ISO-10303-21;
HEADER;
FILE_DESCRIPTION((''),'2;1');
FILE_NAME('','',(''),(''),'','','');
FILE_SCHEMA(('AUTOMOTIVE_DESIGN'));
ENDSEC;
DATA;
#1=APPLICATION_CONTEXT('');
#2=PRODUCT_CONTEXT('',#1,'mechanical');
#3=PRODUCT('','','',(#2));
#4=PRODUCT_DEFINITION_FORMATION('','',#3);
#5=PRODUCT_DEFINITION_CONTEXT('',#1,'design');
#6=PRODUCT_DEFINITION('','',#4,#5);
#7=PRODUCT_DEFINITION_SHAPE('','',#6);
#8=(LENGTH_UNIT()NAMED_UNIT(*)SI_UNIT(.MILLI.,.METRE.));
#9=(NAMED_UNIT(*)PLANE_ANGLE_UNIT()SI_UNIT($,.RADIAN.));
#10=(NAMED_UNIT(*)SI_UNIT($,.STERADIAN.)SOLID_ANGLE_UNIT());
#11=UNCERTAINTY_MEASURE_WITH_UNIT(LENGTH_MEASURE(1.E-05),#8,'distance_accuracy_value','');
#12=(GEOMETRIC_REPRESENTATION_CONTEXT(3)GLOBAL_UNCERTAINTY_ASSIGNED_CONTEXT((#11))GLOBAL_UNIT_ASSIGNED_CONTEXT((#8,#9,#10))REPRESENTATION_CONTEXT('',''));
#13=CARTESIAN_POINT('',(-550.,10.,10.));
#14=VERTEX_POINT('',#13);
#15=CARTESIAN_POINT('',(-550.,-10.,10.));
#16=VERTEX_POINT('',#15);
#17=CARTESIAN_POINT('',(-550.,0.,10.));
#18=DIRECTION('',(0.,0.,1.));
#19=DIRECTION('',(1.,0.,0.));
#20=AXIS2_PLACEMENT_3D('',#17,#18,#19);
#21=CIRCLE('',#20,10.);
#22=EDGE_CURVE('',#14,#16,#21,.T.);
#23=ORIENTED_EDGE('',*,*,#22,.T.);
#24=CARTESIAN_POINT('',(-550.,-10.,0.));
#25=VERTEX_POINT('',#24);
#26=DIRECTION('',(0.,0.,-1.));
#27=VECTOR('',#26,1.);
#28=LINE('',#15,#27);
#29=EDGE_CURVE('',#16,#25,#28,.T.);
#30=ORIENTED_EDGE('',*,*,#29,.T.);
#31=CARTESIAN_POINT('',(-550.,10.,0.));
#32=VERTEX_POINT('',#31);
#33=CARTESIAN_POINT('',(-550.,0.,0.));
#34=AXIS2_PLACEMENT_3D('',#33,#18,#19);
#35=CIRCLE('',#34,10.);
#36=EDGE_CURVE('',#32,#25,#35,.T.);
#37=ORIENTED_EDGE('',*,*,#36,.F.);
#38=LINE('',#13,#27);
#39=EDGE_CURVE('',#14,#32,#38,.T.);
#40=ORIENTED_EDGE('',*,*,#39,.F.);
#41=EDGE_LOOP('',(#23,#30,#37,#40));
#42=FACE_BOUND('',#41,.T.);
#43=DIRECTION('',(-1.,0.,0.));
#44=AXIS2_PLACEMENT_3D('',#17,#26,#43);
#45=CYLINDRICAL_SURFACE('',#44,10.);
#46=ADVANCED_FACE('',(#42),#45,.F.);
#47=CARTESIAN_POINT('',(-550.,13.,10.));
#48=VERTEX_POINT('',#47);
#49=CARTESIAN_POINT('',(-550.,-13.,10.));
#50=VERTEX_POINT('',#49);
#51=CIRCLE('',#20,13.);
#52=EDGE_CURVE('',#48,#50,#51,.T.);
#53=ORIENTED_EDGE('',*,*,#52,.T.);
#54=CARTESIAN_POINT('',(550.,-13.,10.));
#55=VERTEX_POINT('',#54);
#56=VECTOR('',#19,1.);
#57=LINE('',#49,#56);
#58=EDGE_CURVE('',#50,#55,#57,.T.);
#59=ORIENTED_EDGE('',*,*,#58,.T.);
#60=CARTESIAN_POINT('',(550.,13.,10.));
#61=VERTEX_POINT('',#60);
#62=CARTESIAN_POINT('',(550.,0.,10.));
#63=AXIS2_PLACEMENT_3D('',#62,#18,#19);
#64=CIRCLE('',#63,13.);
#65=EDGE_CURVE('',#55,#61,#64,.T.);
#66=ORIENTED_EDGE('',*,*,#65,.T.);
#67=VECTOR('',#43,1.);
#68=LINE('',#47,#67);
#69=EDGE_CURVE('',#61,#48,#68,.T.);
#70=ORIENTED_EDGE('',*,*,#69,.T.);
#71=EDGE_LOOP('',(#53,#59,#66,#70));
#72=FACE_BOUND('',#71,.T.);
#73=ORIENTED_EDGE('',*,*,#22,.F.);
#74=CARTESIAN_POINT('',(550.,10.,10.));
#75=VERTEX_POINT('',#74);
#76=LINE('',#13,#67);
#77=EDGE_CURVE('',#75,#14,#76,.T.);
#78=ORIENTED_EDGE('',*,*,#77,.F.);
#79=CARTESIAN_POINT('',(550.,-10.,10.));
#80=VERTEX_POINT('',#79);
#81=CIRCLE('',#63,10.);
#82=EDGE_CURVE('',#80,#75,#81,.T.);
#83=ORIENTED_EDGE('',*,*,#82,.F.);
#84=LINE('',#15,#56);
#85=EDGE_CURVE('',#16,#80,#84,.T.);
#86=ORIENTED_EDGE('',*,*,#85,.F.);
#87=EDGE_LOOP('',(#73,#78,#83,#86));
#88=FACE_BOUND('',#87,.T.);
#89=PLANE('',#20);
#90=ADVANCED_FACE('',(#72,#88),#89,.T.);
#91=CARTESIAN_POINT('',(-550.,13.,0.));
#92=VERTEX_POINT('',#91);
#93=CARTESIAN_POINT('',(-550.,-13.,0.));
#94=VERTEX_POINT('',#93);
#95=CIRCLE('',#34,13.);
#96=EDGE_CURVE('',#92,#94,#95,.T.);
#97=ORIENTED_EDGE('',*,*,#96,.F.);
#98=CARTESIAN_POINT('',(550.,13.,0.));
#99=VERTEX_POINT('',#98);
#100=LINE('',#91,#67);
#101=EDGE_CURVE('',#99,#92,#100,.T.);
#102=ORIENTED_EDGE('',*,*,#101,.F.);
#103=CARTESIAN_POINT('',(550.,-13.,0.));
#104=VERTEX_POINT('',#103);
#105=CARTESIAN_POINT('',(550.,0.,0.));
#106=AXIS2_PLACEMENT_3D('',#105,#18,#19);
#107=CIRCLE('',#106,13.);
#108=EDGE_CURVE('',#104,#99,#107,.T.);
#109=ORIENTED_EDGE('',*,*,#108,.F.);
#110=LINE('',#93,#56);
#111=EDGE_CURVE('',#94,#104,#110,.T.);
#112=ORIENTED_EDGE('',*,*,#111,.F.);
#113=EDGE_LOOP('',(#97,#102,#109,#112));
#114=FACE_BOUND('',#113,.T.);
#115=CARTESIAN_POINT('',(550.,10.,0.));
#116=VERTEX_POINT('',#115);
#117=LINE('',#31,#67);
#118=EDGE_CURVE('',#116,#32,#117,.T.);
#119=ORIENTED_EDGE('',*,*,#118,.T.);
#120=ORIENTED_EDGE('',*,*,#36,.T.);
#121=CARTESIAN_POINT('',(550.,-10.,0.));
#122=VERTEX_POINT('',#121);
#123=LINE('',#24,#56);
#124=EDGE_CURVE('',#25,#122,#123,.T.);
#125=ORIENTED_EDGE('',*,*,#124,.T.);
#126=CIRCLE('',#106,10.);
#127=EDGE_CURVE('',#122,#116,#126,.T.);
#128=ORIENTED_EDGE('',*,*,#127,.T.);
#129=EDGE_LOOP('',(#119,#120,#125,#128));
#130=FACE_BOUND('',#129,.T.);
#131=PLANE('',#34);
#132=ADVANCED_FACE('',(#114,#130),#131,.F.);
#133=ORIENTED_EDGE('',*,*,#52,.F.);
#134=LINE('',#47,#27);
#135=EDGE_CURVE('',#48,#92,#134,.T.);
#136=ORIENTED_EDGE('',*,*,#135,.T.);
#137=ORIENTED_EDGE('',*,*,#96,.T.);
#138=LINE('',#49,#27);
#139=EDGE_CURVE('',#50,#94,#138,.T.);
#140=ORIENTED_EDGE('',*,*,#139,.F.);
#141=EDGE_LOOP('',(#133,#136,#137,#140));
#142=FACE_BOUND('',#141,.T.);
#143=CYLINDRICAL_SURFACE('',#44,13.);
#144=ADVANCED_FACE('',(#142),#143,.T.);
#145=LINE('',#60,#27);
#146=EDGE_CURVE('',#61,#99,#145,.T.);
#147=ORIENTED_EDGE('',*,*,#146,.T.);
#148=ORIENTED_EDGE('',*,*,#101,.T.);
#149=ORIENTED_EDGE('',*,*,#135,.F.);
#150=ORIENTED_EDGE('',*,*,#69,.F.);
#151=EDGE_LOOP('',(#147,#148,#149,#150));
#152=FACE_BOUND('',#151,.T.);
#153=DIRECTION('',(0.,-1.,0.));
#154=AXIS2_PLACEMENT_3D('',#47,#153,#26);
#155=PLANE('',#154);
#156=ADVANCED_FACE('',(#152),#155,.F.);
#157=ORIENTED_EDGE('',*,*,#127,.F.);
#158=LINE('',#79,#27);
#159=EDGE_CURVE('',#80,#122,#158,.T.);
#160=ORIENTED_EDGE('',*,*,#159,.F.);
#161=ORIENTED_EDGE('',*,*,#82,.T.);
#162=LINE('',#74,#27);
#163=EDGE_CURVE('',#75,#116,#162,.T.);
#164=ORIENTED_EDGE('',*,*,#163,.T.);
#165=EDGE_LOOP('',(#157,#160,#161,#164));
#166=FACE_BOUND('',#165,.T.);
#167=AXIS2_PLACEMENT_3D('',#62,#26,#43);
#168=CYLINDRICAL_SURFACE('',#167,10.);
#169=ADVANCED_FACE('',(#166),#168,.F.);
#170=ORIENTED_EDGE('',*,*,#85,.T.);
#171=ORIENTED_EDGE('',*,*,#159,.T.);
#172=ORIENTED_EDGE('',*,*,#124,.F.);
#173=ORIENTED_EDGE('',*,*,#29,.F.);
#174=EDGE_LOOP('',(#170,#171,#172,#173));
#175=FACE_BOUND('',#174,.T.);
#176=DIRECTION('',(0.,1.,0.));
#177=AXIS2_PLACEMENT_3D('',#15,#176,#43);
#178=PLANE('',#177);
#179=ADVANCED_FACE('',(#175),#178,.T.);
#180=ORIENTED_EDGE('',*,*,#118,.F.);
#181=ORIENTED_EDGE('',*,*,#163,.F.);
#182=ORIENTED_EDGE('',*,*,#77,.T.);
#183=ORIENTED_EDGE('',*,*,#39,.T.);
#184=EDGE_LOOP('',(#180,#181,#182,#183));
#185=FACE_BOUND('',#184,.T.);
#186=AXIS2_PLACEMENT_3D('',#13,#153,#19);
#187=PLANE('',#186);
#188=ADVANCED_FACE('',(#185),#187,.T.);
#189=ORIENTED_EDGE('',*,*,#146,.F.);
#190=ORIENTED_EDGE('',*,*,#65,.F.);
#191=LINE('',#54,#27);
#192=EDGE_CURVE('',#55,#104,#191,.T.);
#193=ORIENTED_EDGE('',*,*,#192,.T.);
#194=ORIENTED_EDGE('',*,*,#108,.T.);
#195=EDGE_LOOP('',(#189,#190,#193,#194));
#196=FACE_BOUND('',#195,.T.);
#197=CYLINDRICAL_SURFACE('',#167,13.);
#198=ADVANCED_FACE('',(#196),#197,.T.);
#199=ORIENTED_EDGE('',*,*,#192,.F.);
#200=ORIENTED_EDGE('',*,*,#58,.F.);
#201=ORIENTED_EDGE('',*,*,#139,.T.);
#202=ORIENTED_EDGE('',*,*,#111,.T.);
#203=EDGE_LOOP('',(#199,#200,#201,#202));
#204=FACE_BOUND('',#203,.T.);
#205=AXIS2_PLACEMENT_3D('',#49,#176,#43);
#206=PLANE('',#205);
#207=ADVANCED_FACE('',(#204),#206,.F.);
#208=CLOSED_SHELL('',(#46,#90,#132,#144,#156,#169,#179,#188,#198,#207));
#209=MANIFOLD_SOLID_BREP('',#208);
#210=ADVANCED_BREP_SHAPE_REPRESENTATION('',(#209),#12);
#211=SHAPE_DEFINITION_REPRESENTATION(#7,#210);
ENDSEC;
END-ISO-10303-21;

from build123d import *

# Parameters (mm, degrees)
BOSS_EXTRUDE1_DEPTH = 10


with BuildPart() as part:
    # Sketch1 → Boss-Extrude1 (new body)
    with BuildSketch(Plane.XY):
        with BuildLine():
            Line((-550, 13), (550, 13))
            ThreePointArc((550, 13), (563, 2.39e-07), (550.000000478, -13))
            Line((550.000000478, -13), (-550.000000368, -13))
            ThreePointArc((-550.000000368, -13), (-563, 1.84e-07), (-550, 13))
        make_face()
        with BuildLine():
            Line((-550.000000368, -10), (550.000000368, -10))
            ThreePointArc((550.000000368, -10), (560, 1.84e-07), (550, 10))
            Line((550, 10), (-550, 10))
            ThreePointArc((-550, 10), (-560, 1.84e-07), (-550.000000368, -10))
        make_face(mode=Mode.SUBTRACT)
    extrude(amount=BOSS_EXTRUDE1_DEPTH)


solid = part.part
